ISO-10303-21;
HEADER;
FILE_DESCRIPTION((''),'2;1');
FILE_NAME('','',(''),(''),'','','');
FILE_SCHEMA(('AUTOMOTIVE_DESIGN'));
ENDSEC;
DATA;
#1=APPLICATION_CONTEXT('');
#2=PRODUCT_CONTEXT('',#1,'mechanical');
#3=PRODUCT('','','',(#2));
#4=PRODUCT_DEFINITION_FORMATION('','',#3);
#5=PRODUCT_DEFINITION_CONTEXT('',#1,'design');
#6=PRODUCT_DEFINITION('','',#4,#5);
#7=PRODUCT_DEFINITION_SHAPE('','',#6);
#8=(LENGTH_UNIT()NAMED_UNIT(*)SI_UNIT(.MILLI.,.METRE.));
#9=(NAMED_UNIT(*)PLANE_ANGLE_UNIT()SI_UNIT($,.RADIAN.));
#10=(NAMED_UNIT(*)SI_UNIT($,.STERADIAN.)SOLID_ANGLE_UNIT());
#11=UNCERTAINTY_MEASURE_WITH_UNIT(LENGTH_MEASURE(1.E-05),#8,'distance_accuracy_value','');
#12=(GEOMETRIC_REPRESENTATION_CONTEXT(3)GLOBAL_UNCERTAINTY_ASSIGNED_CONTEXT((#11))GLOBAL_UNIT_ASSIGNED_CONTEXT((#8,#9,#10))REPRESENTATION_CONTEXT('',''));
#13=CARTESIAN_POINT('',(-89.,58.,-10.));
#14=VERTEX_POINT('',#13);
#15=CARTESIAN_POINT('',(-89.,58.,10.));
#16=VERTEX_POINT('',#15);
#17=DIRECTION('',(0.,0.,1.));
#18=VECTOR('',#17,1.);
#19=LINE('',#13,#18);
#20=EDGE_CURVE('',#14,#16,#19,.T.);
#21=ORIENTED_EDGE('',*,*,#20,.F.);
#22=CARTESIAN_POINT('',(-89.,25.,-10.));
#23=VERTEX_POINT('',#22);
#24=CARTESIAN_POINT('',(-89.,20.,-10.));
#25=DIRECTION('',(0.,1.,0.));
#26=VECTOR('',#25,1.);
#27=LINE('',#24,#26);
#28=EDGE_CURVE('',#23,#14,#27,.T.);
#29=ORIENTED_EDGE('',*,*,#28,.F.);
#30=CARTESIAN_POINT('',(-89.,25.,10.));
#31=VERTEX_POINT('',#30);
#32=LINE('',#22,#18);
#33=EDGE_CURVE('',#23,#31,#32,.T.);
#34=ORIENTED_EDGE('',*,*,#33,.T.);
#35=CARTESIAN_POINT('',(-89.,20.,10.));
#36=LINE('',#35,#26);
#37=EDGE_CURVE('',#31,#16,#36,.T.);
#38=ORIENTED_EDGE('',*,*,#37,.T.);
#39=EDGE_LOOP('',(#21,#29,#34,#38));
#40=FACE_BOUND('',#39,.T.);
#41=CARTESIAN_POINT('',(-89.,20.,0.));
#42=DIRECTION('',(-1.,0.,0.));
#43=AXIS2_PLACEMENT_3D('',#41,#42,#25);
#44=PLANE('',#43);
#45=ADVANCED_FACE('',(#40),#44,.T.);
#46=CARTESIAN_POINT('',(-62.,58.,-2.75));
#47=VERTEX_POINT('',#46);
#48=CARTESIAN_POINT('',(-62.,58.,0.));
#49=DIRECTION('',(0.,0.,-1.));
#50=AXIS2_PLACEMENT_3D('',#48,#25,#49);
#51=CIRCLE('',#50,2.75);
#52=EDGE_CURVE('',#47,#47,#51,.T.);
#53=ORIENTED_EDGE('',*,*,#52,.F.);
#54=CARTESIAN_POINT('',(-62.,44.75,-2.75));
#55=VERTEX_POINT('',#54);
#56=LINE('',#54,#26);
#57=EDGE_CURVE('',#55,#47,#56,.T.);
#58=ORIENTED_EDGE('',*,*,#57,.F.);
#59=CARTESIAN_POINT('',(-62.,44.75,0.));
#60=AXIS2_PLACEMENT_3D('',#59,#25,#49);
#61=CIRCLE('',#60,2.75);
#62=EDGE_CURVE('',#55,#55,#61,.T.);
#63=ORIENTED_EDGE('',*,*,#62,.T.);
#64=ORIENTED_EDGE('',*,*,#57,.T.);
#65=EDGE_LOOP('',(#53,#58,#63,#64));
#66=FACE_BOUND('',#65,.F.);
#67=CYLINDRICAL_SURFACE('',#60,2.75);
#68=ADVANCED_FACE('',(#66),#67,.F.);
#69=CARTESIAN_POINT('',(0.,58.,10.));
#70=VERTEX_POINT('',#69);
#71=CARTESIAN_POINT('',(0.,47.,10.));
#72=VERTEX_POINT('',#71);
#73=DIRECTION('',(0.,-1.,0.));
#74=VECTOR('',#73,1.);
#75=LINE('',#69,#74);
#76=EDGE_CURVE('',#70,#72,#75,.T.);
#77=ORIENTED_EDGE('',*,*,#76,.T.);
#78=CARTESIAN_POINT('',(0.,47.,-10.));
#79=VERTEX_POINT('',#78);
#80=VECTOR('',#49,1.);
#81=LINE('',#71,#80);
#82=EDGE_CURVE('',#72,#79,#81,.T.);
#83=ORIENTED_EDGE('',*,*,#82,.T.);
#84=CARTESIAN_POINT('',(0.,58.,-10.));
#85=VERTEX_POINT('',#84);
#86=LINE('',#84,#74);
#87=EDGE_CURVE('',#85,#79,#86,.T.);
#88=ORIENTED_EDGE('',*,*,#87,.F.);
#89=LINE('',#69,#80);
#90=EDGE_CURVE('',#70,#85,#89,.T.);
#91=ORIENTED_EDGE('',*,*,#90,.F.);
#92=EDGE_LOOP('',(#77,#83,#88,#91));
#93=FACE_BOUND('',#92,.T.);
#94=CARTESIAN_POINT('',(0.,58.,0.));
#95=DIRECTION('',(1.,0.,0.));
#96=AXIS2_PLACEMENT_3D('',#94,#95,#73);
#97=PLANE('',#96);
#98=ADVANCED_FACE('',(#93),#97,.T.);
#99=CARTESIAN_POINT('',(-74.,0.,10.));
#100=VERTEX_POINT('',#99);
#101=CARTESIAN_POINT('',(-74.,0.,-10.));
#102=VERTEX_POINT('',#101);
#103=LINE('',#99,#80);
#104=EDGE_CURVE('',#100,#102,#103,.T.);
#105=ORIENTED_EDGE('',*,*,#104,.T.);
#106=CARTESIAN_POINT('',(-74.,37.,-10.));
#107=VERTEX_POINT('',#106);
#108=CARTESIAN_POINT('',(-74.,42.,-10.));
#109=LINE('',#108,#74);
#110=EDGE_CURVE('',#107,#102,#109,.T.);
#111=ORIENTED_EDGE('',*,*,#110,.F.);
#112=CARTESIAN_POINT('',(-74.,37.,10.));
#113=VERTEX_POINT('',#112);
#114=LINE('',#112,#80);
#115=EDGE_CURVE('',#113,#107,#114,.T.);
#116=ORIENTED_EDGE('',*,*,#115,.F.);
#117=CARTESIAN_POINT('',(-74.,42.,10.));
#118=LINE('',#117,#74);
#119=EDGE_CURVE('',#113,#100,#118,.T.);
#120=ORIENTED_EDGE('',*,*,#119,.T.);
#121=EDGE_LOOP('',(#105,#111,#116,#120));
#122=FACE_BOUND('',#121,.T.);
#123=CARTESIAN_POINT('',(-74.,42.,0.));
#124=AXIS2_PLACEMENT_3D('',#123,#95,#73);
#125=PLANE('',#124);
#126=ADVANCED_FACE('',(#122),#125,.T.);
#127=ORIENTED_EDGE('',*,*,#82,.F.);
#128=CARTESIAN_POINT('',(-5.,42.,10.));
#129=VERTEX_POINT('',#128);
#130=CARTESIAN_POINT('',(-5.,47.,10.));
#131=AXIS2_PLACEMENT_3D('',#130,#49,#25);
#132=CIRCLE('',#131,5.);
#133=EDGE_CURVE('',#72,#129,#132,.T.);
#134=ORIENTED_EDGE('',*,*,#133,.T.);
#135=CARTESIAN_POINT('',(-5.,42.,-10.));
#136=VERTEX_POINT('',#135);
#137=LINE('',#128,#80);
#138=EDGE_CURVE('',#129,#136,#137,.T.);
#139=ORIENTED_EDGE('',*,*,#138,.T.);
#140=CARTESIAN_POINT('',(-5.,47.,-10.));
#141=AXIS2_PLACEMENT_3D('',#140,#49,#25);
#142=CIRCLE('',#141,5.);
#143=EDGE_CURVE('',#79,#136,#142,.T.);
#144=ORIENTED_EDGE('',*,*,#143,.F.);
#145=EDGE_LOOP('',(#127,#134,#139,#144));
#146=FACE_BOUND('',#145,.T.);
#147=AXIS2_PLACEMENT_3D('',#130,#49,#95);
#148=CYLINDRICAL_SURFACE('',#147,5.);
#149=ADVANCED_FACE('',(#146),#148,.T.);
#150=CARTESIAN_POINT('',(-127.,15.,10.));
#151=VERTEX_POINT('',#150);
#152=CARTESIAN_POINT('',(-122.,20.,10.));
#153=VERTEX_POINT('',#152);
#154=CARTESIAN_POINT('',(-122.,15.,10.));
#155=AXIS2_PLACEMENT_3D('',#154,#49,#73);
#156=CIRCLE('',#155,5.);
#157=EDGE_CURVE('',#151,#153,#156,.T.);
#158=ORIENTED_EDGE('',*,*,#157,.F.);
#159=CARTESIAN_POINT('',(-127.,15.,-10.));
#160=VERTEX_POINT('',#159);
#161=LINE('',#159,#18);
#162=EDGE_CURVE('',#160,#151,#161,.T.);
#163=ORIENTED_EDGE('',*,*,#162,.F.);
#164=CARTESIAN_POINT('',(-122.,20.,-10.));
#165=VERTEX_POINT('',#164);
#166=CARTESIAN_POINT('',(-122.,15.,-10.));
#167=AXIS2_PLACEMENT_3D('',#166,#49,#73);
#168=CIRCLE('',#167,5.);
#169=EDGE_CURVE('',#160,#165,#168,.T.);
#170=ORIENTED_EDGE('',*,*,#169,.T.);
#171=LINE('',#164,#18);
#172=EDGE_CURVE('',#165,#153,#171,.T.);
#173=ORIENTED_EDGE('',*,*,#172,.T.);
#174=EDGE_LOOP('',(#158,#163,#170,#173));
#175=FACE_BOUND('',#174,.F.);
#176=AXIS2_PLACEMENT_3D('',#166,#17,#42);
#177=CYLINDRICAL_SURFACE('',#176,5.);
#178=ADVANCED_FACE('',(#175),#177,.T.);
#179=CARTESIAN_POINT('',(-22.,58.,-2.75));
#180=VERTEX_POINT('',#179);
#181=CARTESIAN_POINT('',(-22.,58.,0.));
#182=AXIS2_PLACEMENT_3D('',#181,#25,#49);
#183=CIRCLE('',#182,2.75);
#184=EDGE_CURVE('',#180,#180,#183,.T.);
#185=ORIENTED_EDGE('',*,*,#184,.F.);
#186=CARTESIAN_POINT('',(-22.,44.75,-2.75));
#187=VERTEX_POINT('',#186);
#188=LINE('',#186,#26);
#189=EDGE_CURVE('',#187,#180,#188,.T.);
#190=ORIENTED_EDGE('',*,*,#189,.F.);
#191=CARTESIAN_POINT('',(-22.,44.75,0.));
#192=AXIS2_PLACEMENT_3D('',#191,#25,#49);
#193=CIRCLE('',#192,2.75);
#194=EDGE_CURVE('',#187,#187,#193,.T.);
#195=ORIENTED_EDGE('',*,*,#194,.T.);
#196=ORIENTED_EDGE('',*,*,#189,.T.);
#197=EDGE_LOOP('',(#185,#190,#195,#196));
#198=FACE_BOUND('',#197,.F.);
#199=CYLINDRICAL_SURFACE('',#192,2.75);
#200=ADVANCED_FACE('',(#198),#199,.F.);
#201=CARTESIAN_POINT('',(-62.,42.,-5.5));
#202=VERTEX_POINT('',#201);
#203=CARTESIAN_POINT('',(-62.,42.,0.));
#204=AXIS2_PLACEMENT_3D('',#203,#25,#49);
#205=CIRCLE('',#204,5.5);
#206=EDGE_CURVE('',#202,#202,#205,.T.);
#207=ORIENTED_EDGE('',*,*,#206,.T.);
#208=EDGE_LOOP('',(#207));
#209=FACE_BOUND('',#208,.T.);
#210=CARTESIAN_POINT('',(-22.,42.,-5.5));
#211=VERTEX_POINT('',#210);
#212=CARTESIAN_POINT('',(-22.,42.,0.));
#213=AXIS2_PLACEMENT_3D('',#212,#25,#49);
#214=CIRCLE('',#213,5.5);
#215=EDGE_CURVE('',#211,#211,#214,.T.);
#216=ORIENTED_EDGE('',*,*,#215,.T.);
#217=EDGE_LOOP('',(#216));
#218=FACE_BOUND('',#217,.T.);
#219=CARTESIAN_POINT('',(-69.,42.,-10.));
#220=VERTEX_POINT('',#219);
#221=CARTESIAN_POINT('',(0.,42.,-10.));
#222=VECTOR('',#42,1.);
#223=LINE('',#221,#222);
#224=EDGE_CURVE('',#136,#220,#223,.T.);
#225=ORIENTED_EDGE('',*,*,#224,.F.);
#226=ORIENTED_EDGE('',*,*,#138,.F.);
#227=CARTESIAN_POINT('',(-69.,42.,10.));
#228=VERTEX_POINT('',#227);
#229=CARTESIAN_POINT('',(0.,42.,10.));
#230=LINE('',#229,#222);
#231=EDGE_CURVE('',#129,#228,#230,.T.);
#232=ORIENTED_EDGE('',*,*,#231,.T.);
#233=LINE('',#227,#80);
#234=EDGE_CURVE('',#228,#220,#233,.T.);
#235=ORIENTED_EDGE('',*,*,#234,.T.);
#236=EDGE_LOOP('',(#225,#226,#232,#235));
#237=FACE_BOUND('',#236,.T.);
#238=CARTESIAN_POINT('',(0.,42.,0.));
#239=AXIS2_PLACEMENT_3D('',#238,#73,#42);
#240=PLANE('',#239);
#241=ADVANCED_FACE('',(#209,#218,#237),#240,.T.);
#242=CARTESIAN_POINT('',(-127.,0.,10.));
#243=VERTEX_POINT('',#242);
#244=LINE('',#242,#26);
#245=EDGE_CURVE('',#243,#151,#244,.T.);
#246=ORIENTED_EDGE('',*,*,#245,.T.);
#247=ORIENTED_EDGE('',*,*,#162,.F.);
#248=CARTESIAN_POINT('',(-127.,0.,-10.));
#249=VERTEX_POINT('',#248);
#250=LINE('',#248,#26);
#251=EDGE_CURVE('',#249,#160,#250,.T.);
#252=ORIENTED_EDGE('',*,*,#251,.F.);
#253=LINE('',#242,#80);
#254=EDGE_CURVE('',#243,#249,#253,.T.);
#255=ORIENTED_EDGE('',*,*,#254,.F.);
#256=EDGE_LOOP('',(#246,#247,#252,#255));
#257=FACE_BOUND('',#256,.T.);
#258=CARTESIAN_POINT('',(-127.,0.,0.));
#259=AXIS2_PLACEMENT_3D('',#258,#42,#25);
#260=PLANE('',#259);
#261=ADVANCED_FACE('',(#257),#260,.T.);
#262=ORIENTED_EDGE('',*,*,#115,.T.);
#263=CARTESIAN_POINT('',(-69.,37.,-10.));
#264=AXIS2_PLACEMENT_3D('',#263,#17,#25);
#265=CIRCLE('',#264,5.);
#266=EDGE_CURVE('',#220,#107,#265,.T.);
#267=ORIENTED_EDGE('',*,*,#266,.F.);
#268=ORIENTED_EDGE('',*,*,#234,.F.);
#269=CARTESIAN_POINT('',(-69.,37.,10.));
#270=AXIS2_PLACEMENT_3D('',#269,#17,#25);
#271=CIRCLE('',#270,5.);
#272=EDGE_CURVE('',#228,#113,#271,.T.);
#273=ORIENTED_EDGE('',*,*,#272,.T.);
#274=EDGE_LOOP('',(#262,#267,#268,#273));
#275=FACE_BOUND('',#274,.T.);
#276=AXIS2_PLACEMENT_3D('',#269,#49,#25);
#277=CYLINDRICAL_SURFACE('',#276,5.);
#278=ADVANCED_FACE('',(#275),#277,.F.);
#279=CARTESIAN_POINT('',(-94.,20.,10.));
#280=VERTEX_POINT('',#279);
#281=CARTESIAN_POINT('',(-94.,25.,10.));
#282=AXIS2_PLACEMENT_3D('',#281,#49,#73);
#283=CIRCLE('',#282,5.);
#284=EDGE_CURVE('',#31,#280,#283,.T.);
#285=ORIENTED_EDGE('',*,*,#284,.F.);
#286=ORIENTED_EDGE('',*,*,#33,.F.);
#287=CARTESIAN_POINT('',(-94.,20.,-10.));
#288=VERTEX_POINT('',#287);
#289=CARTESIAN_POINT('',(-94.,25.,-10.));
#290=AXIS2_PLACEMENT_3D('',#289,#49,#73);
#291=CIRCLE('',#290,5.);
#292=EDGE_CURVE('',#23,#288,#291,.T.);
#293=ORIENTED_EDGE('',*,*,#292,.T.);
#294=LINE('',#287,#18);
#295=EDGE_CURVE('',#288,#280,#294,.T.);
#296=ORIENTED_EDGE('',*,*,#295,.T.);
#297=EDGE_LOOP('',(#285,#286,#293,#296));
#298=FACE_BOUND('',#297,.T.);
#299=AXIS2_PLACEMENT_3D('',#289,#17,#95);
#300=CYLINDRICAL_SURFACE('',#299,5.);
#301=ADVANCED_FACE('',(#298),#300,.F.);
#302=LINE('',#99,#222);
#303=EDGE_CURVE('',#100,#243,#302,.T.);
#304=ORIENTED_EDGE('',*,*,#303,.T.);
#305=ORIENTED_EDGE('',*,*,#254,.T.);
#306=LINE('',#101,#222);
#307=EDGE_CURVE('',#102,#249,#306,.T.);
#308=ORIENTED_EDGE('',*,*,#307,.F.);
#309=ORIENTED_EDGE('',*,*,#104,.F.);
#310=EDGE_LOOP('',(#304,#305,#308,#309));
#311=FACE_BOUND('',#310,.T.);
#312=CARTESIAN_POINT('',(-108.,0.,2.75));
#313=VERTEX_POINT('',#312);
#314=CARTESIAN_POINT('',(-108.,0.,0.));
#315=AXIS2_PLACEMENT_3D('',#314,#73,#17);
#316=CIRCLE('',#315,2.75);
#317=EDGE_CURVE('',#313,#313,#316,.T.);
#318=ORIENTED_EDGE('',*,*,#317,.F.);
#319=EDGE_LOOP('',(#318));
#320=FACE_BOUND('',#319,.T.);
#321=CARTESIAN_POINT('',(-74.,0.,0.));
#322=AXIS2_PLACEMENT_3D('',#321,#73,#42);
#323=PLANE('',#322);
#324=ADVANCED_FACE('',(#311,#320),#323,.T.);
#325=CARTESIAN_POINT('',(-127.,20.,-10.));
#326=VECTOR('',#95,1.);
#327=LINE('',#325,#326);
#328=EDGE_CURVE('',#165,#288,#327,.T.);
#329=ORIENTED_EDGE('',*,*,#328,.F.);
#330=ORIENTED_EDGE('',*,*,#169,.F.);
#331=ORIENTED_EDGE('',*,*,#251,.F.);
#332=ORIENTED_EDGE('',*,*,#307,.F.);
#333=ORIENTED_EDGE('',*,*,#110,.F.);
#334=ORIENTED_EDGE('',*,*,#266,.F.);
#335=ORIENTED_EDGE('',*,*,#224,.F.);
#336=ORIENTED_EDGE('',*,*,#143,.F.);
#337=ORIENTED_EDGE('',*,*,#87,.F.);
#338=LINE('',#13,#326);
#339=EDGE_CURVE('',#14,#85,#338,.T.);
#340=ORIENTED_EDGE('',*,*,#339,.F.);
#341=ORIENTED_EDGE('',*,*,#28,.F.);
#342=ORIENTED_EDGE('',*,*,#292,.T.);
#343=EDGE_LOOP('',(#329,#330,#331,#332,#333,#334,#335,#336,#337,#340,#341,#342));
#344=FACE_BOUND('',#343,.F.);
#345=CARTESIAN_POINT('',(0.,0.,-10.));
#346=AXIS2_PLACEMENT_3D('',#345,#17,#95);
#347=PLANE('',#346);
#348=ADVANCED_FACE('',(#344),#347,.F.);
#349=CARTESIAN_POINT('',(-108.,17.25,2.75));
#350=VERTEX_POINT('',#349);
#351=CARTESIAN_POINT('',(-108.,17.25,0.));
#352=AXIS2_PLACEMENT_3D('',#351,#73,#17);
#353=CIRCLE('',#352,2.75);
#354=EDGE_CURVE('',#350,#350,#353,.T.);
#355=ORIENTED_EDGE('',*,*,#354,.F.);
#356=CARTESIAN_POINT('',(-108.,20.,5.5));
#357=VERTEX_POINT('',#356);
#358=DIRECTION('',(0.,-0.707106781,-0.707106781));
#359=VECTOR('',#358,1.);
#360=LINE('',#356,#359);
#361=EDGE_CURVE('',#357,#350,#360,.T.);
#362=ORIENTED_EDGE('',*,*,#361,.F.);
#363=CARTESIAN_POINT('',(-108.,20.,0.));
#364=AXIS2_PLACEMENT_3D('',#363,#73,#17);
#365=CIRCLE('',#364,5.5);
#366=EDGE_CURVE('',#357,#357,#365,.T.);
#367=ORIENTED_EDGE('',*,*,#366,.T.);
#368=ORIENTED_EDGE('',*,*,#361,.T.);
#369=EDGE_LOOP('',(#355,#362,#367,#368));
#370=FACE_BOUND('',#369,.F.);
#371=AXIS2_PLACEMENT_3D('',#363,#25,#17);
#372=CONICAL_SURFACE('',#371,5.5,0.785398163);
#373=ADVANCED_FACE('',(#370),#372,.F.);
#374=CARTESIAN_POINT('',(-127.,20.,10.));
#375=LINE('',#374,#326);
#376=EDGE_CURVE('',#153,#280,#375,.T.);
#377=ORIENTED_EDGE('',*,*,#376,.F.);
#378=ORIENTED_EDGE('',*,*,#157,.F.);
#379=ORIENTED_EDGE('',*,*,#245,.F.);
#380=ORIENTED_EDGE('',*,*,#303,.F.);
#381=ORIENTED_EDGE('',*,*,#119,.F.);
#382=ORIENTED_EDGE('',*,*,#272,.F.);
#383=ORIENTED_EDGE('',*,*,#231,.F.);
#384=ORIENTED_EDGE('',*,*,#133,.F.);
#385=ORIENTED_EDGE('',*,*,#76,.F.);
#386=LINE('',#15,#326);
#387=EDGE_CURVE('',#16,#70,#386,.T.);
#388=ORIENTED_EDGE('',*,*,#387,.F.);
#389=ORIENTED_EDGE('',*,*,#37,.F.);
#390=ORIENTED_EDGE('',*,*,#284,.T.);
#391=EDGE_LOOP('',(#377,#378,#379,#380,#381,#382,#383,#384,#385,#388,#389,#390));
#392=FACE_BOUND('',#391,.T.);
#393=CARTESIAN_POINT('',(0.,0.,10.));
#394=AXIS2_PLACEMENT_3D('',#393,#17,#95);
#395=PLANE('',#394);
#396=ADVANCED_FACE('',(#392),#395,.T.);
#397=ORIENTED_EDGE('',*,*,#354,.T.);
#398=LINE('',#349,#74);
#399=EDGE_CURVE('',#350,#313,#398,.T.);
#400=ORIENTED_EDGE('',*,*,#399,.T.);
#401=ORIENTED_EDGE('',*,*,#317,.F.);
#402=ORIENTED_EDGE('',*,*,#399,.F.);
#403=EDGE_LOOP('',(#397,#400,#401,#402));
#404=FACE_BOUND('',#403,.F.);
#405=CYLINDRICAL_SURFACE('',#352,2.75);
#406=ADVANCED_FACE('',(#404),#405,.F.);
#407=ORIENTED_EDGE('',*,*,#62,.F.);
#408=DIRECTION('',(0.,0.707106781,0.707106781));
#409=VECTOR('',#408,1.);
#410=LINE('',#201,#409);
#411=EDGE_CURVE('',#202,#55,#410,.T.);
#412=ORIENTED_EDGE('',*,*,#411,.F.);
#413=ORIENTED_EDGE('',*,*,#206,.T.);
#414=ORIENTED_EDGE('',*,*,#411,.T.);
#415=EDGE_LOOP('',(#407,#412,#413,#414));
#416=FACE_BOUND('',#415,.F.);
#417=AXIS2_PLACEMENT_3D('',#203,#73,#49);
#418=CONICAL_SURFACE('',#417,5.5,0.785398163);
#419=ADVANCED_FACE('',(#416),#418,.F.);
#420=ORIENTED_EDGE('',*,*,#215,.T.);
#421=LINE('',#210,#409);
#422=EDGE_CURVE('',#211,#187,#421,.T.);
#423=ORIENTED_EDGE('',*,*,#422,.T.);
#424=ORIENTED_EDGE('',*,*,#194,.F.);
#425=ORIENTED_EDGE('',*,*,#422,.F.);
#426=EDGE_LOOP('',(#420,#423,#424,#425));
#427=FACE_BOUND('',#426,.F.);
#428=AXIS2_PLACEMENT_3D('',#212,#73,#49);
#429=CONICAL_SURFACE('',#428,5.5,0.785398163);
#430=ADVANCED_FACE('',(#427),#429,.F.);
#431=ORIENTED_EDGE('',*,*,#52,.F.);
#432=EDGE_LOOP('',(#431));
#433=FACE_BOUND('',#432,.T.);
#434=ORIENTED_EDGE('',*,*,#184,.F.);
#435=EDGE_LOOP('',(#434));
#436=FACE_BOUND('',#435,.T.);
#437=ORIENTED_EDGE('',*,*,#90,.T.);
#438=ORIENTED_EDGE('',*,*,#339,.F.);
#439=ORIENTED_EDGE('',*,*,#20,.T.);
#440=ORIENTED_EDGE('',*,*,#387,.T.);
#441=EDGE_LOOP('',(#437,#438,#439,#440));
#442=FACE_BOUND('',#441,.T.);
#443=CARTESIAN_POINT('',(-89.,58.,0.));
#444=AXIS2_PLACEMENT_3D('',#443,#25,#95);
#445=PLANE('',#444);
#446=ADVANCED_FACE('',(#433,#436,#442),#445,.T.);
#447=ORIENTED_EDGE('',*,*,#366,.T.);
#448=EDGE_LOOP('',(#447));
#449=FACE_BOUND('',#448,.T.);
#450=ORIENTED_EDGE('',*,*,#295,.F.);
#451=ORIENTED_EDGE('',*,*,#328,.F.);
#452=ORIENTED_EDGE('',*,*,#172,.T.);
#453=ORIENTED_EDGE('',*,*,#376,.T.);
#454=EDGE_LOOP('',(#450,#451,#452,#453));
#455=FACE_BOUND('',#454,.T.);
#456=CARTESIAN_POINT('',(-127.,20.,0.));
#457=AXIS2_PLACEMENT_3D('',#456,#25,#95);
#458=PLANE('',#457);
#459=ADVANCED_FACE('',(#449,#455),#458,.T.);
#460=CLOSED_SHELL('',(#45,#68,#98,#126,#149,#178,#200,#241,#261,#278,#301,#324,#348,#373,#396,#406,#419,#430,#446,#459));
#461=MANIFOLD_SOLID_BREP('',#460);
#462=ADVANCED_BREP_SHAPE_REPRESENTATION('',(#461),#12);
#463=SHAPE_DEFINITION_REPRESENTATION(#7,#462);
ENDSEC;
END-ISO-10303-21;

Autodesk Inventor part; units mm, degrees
ref_plane "YZ Plane" through (0, 0, 0) normal (1, 0, 0) x (0, 1, 0)
ref_plane "XZ Plane" through (0, 0, 0) normal (0, 1, 0) x (-1, 0, 0)
ref_plane "XY Plane" through (0, 0, 0) normal (0, 0, 1) x (1, 0, 0)
sketch "Sketch1" plane through (0, 0, 0) normal (0, 0, 1) x (1, 0, 0)
  line L0 (-89, 58) -> (0, 58)
  line L1 (0, 42) -> (-74, 42)
  line L2 (-74, 42) -> (-74, 0)
  line L3 (-74, 0) -> (-127, 0)
  line L4 (-127, 0) -> (-127, 20)
  line L5 (-127, 20) -> (-89, 20)
  line L6 (-89, 20) -> (-89, 58)
  line L7 (0, 58) -> (0, 42)
  point P0 (0, 0)
  point P1 (0, 50)
  point P2 (-100.5, 0)
  dimension "d116" = 15
  dimension "d128" = 89
  dimension "d129" = 16
  dimension "d130" = 20
  dimension "d131" = 53
  dimension "d132" = 38
  dimension "d135" = 74
extrude "Soporte" add sketch "Sketch1" along normal mid plane 20
sketch "Sketch13" plane through (-74, 42, 10) normal (0, 1, 0) x (1, 0, 0)
  line L0 (12, 10) -> (52, 10) construction
  line L1 (0, 20) -> (0, 0) projected
  line L2 (0, 0) -> (74, 0) projected
  point P0 (74, 10)
  point P1 (32, 10)
  point P2 (-15, 20)
  point P3 (74, 20)
  point P4 (0, 10)
  dimension "d104" = 40
  dimension "d133" = 32
hole "BCA M5" at (-62, 42, 0) at (-22, 42, 0) direction (0, 1, 0) diameter 5.5 end through all countersink diameter 11 countersink angle 90
fillet "Fillet7" radius 5 4 edges at (-89, 20, 0) (-74, 42, 0) (-127, 20, 0) (0, 42, 0)
sketch "Sketch15" plane through (-122, 20, 10) normal (0, 1, 0) x (1, 0, 0)
  line L0 (28, 0) -> (0, 0) projected
  line L1 (0, 0) -> (0, 20) projected
  point P0 (122, 10)
  point P1 (14, 10)
  point P2 (14, 0)
  point P3 (0, 10)
hole "Hole8" at (-108, 20, 0) direction (0, -1, 0) diameter 5.5 end through all countersink diameter 11 countersink angle 90
properties part number "unión placa soporte TIC DC" material "PET Plastic"
